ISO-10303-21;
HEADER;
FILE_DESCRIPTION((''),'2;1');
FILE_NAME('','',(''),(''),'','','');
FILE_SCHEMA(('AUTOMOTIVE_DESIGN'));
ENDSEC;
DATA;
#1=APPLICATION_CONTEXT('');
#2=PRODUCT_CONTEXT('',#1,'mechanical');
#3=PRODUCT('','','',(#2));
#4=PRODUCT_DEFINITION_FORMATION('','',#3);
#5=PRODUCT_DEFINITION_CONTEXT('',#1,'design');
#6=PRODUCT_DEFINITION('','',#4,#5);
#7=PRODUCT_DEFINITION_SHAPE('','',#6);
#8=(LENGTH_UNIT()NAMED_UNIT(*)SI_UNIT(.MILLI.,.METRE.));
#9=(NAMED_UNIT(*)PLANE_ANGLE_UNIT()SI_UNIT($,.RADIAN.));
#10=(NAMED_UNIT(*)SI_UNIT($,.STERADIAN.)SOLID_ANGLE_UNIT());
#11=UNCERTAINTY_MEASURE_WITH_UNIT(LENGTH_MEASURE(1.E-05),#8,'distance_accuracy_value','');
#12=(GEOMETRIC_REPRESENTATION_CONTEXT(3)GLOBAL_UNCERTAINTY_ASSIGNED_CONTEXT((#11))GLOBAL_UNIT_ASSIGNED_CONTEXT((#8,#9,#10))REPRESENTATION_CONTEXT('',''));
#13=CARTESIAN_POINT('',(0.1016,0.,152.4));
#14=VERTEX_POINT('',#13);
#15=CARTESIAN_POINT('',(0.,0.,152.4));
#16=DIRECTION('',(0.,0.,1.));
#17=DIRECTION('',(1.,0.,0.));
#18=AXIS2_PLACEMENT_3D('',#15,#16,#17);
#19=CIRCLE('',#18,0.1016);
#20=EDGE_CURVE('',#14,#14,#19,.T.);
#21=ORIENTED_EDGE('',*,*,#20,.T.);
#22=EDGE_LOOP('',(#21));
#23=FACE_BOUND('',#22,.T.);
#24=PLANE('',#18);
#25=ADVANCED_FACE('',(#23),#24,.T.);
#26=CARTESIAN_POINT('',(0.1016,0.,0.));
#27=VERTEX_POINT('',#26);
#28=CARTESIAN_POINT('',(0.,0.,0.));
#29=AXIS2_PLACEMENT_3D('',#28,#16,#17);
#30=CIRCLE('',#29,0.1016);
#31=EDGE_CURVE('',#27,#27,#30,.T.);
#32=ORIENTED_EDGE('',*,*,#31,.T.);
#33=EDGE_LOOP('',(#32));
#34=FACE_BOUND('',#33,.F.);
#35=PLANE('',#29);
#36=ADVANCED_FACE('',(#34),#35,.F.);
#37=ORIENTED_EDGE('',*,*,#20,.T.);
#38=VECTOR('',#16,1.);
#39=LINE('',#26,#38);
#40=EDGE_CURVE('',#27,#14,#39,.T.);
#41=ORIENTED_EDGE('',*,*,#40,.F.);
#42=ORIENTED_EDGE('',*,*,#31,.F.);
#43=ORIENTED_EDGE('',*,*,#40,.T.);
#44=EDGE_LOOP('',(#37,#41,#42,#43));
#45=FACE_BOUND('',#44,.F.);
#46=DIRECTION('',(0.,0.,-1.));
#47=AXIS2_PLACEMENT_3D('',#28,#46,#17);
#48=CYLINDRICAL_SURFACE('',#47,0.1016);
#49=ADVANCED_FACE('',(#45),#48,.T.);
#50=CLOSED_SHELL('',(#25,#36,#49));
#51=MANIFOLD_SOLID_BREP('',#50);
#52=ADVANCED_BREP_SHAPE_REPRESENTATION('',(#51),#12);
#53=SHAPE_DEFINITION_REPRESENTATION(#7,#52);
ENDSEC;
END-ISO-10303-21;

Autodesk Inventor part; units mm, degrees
ref_plane "YZ Plane" through (0, 0, 0) normal (1, 0, 0) x (0, 1, 0)
ref_plane "XZ Plane" through (0, 0, 0) normal (0, 1, 0) x (-1, 0, 0)
ref_plane "XY Plane" through (0, 0, 0) normal (0, 0, 1) x (1, 0, 0)
sketch "Sketch1" plane through (0, 0, 0) normal (0, 0, 1) x (1, 0, 0)
  circle A0 centre (0, 0) radius 0.1016
  dimension "d0" = 0.2032
extrude "Extrusion1" add sketch "Sketch1" along normal blind 152.4
properties part number "Nichrome wire 32 gauge"
